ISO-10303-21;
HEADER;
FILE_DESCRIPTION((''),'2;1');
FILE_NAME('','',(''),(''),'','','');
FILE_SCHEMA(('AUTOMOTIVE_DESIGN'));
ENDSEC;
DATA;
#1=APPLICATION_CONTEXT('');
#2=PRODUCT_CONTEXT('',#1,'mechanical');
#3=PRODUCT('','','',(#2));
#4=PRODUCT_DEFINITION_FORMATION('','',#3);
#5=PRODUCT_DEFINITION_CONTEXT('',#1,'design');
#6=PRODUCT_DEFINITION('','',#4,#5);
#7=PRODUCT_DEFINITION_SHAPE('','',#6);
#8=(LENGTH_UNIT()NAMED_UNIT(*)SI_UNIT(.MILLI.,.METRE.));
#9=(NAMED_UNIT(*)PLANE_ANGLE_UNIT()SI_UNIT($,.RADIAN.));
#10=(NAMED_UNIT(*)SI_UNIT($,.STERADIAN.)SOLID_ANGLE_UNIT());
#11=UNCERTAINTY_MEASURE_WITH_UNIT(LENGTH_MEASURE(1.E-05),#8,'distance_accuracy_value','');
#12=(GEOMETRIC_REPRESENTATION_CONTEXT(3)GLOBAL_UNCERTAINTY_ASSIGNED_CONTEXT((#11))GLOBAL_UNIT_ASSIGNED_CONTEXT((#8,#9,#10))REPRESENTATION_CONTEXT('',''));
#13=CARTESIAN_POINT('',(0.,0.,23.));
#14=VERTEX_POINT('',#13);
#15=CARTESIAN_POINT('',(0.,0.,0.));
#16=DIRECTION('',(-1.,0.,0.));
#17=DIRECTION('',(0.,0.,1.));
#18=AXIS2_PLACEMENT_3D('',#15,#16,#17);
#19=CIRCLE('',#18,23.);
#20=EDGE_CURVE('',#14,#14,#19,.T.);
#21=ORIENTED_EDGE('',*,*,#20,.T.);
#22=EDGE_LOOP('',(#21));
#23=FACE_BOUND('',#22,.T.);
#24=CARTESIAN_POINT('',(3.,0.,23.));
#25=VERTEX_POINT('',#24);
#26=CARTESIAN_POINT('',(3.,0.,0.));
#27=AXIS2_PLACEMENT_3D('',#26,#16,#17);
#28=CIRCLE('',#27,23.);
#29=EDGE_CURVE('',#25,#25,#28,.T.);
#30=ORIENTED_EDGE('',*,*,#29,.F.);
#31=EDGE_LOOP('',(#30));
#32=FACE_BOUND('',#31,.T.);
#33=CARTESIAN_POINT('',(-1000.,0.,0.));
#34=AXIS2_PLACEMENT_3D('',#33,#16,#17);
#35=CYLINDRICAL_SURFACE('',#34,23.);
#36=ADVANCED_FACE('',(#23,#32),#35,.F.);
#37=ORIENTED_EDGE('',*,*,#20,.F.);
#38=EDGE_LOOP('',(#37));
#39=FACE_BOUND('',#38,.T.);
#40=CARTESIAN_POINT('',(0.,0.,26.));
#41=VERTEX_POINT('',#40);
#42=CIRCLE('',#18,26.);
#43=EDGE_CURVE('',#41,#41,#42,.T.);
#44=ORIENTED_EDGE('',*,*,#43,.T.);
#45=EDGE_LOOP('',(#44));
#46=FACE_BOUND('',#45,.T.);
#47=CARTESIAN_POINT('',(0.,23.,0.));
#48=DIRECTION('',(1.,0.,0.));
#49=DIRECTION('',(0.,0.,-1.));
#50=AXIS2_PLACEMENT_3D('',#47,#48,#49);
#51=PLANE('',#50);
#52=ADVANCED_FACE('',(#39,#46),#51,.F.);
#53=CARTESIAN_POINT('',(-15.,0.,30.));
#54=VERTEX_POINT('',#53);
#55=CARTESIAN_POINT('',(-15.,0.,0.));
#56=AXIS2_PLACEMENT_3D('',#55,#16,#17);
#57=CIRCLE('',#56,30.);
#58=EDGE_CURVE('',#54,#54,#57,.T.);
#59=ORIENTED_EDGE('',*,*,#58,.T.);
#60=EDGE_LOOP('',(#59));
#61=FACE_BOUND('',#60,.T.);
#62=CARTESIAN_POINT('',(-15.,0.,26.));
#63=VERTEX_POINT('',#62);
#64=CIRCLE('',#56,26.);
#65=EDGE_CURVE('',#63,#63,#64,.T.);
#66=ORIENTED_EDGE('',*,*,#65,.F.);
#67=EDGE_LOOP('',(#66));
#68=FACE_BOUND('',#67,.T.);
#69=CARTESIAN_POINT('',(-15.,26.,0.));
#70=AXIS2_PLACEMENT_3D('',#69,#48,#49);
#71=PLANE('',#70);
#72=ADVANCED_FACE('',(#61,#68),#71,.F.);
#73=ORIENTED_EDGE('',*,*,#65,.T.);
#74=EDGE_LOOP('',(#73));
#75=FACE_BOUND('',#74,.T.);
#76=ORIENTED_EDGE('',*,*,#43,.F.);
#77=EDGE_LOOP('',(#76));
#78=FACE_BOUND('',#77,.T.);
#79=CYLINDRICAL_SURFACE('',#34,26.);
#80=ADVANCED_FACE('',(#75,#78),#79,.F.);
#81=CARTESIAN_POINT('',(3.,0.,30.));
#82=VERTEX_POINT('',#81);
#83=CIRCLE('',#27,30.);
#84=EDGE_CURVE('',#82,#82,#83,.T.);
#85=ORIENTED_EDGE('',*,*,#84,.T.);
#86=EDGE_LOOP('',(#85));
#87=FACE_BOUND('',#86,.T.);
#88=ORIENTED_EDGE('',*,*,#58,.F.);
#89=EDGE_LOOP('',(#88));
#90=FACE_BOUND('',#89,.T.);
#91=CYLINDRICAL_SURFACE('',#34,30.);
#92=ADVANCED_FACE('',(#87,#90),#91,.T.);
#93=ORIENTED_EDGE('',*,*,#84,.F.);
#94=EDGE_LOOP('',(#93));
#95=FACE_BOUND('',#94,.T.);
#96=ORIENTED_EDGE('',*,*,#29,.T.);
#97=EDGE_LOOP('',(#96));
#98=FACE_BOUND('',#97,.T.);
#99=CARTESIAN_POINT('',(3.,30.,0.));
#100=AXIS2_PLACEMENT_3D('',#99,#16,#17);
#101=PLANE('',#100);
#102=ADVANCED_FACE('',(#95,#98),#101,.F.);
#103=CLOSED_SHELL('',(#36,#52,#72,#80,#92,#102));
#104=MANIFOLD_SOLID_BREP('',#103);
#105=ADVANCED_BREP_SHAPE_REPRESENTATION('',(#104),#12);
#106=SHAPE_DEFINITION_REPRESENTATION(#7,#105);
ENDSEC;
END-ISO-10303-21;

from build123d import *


with BuildPart() as part:
    # Sketch 2 → Повернуть1 (revolve)
    with BuildSketch(Plane.XY):
        Polygon((-15, 26), (-15, 30), (3, 30), (3, 23), (0, 23), (0, 26), align=None)
    revolve(axis=Axis((-1000, 0, 0), (1, 0, 0)))


solid = part.part
